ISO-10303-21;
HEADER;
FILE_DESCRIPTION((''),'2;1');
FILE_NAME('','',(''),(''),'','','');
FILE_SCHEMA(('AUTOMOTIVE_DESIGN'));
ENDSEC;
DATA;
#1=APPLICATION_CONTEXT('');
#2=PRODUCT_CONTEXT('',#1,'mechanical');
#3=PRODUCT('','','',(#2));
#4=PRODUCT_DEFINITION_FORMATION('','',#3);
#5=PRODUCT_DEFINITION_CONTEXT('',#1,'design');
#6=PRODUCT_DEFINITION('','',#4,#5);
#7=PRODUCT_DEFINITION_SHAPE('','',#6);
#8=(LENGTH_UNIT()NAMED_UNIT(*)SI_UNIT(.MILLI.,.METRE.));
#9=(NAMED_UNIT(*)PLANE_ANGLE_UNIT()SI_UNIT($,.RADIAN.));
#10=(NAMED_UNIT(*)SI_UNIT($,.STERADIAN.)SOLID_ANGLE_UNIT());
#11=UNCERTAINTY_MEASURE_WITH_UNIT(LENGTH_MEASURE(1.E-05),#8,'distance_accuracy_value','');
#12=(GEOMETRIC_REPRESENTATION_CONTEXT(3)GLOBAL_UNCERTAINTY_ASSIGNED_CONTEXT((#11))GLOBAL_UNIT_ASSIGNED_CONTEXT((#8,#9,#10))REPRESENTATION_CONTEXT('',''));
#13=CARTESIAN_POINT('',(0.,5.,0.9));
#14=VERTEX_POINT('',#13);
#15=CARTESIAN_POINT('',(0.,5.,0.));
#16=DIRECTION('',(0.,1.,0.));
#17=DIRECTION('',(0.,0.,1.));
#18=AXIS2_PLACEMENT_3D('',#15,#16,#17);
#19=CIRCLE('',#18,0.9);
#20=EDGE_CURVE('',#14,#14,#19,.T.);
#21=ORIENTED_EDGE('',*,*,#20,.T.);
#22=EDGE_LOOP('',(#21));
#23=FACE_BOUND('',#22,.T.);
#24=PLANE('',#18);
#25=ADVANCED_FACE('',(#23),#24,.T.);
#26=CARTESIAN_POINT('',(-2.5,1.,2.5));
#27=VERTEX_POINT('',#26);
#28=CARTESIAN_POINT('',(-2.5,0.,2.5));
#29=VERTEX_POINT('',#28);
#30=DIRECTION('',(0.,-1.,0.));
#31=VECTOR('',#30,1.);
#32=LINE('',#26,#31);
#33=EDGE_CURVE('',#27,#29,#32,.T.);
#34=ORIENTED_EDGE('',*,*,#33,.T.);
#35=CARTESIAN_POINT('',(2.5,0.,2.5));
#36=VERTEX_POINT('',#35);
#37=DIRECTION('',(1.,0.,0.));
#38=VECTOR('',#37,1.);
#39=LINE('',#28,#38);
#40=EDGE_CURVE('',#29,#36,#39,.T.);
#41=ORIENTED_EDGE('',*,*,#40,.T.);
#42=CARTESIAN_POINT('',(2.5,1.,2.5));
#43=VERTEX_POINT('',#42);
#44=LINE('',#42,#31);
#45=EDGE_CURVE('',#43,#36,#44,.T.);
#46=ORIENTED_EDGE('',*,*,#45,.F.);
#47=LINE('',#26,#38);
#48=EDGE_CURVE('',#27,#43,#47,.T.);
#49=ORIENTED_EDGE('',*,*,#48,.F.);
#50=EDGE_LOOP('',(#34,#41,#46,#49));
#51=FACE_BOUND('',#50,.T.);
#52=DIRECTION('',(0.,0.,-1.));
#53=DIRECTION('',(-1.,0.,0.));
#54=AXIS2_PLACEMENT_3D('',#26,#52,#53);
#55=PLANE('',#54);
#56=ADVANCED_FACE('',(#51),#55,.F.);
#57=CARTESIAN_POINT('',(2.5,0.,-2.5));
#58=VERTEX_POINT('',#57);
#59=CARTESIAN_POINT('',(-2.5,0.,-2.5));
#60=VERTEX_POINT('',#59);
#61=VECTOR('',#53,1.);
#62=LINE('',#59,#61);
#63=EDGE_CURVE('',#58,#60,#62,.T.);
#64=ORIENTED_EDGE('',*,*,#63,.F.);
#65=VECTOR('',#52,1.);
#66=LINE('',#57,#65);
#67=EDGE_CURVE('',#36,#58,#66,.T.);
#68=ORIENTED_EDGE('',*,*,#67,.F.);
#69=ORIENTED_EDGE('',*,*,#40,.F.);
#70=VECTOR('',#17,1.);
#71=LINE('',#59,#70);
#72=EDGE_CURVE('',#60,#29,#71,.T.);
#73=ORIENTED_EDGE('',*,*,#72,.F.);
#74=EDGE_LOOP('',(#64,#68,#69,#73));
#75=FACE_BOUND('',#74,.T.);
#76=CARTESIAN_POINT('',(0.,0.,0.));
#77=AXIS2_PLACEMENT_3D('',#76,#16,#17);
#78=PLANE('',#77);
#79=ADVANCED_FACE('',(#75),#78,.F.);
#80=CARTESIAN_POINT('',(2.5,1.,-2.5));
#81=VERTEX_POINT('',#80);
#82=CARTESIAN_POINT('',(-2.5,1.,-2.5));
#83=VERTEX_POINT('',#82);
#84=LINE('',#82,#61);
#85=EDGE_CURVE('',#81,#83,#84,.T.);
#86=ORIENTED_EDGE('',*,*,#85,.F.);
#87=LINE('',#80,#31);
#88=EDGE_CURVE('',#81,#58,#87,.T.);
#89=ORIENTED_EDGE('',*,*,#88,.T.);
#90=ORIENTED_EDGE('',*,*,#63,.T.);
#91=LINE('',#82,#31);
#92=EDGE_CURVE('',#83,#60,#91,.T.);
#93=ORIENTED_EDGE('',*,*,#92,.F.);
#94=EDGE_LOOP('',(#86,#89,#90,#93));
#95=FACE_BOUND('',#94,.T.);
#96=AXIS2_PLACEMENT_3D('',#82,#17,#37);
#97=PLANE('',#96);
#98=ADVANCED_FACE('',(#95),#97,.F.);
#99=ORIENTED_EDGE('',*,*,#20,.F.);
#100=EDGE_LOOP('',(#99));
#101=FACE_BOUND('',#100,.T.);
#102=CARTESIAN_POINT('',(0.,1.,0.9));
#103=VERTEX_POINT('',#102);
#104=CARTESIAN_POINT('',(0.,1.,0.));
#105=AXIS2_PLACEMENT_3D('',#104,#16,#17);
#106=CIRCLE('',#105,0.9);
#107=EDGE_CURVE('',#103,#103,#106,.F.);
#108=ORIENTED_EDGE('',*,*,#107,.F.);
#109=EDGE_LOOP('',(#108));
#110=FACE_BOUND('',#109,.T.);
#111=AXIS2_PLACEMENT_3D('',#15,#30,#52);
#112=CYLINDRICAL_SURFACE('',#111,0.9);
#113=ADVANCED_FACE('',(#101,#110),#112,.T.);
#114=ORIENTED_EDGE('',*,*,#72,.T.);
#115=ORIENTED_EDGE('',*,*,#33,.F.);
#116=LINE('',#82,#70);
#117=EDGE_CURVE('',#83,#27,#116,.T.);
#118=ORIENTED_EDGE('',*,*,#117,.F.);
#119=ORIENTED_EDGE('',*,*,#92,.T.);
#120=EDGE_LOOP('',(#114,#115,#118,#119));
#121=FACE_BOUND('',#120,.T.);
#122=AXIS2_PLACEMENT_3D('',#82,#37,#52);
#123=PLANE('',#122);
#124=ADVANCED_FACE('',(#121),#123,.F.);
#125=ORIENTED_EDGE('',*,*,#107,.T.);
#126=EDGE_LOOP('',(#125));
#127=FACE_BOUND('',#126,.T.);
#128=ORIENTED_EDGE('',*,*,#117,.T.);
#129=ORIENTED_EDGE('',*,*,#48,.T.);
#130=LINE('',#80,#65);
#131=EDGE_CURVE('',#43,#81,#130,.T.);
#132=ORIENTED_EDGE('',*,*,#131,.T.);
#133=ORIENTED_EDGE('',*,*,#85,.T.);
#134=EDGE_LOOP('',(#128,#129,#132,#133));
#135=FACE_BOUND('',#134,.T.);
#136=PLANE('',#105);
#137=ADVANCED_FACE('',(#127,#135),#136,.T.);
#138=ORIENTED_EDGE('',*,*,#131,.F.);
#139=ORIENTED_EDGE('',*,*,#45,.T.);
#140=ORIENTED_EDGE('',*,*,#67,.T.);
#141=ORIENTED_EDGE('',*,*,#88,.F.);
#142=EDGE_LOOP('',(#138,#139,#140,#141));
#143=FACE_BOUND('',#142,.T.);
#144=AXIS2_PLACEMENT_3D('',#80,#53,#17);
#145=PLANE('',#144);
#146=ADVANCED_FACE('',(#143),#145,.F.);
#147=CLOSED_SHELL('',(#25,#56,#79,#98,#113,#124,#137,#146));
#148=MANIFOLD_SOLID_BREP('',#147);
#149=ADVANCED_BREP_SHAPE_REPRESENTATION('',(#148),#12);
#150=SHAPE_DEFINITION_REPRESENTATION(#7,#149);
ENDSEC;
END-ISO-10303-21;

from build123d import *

# Parameters (mm, degrees)
SKETCH1_W           = 5
SKETCH1_H           = 5
BOSS_EXTRUDE1_DEPTH = 1
SKETCH2_R           = 0.9
BOSS_EXTRUDE2_DEPTH = 5


with BuildPart() as part:
    # Sketch1 → Boss-Extrude1 (new body)
    with BuildSketch(Plane(origin=(0, 0, 0), x_dir=(1, 0, 0), z_dir=(0, 1, 0))):
        Rectangle(SKETCH1_W, SKETCH1_H)
    extrude(amount=BOSS_EXTRUDE1_DEPTH)

    # Sketch2 → Boss-Extrude2 (add)
    with BuildSketch(Plane(origin=(0, 0, 0), x_dir=(1, 0, 0), z_dir=(0, 1, 0))):
        Circle(SKETCH2_R)
    extrude(amount=BOSS_EXTRUDE2_DEPTH)


solid = part.part
